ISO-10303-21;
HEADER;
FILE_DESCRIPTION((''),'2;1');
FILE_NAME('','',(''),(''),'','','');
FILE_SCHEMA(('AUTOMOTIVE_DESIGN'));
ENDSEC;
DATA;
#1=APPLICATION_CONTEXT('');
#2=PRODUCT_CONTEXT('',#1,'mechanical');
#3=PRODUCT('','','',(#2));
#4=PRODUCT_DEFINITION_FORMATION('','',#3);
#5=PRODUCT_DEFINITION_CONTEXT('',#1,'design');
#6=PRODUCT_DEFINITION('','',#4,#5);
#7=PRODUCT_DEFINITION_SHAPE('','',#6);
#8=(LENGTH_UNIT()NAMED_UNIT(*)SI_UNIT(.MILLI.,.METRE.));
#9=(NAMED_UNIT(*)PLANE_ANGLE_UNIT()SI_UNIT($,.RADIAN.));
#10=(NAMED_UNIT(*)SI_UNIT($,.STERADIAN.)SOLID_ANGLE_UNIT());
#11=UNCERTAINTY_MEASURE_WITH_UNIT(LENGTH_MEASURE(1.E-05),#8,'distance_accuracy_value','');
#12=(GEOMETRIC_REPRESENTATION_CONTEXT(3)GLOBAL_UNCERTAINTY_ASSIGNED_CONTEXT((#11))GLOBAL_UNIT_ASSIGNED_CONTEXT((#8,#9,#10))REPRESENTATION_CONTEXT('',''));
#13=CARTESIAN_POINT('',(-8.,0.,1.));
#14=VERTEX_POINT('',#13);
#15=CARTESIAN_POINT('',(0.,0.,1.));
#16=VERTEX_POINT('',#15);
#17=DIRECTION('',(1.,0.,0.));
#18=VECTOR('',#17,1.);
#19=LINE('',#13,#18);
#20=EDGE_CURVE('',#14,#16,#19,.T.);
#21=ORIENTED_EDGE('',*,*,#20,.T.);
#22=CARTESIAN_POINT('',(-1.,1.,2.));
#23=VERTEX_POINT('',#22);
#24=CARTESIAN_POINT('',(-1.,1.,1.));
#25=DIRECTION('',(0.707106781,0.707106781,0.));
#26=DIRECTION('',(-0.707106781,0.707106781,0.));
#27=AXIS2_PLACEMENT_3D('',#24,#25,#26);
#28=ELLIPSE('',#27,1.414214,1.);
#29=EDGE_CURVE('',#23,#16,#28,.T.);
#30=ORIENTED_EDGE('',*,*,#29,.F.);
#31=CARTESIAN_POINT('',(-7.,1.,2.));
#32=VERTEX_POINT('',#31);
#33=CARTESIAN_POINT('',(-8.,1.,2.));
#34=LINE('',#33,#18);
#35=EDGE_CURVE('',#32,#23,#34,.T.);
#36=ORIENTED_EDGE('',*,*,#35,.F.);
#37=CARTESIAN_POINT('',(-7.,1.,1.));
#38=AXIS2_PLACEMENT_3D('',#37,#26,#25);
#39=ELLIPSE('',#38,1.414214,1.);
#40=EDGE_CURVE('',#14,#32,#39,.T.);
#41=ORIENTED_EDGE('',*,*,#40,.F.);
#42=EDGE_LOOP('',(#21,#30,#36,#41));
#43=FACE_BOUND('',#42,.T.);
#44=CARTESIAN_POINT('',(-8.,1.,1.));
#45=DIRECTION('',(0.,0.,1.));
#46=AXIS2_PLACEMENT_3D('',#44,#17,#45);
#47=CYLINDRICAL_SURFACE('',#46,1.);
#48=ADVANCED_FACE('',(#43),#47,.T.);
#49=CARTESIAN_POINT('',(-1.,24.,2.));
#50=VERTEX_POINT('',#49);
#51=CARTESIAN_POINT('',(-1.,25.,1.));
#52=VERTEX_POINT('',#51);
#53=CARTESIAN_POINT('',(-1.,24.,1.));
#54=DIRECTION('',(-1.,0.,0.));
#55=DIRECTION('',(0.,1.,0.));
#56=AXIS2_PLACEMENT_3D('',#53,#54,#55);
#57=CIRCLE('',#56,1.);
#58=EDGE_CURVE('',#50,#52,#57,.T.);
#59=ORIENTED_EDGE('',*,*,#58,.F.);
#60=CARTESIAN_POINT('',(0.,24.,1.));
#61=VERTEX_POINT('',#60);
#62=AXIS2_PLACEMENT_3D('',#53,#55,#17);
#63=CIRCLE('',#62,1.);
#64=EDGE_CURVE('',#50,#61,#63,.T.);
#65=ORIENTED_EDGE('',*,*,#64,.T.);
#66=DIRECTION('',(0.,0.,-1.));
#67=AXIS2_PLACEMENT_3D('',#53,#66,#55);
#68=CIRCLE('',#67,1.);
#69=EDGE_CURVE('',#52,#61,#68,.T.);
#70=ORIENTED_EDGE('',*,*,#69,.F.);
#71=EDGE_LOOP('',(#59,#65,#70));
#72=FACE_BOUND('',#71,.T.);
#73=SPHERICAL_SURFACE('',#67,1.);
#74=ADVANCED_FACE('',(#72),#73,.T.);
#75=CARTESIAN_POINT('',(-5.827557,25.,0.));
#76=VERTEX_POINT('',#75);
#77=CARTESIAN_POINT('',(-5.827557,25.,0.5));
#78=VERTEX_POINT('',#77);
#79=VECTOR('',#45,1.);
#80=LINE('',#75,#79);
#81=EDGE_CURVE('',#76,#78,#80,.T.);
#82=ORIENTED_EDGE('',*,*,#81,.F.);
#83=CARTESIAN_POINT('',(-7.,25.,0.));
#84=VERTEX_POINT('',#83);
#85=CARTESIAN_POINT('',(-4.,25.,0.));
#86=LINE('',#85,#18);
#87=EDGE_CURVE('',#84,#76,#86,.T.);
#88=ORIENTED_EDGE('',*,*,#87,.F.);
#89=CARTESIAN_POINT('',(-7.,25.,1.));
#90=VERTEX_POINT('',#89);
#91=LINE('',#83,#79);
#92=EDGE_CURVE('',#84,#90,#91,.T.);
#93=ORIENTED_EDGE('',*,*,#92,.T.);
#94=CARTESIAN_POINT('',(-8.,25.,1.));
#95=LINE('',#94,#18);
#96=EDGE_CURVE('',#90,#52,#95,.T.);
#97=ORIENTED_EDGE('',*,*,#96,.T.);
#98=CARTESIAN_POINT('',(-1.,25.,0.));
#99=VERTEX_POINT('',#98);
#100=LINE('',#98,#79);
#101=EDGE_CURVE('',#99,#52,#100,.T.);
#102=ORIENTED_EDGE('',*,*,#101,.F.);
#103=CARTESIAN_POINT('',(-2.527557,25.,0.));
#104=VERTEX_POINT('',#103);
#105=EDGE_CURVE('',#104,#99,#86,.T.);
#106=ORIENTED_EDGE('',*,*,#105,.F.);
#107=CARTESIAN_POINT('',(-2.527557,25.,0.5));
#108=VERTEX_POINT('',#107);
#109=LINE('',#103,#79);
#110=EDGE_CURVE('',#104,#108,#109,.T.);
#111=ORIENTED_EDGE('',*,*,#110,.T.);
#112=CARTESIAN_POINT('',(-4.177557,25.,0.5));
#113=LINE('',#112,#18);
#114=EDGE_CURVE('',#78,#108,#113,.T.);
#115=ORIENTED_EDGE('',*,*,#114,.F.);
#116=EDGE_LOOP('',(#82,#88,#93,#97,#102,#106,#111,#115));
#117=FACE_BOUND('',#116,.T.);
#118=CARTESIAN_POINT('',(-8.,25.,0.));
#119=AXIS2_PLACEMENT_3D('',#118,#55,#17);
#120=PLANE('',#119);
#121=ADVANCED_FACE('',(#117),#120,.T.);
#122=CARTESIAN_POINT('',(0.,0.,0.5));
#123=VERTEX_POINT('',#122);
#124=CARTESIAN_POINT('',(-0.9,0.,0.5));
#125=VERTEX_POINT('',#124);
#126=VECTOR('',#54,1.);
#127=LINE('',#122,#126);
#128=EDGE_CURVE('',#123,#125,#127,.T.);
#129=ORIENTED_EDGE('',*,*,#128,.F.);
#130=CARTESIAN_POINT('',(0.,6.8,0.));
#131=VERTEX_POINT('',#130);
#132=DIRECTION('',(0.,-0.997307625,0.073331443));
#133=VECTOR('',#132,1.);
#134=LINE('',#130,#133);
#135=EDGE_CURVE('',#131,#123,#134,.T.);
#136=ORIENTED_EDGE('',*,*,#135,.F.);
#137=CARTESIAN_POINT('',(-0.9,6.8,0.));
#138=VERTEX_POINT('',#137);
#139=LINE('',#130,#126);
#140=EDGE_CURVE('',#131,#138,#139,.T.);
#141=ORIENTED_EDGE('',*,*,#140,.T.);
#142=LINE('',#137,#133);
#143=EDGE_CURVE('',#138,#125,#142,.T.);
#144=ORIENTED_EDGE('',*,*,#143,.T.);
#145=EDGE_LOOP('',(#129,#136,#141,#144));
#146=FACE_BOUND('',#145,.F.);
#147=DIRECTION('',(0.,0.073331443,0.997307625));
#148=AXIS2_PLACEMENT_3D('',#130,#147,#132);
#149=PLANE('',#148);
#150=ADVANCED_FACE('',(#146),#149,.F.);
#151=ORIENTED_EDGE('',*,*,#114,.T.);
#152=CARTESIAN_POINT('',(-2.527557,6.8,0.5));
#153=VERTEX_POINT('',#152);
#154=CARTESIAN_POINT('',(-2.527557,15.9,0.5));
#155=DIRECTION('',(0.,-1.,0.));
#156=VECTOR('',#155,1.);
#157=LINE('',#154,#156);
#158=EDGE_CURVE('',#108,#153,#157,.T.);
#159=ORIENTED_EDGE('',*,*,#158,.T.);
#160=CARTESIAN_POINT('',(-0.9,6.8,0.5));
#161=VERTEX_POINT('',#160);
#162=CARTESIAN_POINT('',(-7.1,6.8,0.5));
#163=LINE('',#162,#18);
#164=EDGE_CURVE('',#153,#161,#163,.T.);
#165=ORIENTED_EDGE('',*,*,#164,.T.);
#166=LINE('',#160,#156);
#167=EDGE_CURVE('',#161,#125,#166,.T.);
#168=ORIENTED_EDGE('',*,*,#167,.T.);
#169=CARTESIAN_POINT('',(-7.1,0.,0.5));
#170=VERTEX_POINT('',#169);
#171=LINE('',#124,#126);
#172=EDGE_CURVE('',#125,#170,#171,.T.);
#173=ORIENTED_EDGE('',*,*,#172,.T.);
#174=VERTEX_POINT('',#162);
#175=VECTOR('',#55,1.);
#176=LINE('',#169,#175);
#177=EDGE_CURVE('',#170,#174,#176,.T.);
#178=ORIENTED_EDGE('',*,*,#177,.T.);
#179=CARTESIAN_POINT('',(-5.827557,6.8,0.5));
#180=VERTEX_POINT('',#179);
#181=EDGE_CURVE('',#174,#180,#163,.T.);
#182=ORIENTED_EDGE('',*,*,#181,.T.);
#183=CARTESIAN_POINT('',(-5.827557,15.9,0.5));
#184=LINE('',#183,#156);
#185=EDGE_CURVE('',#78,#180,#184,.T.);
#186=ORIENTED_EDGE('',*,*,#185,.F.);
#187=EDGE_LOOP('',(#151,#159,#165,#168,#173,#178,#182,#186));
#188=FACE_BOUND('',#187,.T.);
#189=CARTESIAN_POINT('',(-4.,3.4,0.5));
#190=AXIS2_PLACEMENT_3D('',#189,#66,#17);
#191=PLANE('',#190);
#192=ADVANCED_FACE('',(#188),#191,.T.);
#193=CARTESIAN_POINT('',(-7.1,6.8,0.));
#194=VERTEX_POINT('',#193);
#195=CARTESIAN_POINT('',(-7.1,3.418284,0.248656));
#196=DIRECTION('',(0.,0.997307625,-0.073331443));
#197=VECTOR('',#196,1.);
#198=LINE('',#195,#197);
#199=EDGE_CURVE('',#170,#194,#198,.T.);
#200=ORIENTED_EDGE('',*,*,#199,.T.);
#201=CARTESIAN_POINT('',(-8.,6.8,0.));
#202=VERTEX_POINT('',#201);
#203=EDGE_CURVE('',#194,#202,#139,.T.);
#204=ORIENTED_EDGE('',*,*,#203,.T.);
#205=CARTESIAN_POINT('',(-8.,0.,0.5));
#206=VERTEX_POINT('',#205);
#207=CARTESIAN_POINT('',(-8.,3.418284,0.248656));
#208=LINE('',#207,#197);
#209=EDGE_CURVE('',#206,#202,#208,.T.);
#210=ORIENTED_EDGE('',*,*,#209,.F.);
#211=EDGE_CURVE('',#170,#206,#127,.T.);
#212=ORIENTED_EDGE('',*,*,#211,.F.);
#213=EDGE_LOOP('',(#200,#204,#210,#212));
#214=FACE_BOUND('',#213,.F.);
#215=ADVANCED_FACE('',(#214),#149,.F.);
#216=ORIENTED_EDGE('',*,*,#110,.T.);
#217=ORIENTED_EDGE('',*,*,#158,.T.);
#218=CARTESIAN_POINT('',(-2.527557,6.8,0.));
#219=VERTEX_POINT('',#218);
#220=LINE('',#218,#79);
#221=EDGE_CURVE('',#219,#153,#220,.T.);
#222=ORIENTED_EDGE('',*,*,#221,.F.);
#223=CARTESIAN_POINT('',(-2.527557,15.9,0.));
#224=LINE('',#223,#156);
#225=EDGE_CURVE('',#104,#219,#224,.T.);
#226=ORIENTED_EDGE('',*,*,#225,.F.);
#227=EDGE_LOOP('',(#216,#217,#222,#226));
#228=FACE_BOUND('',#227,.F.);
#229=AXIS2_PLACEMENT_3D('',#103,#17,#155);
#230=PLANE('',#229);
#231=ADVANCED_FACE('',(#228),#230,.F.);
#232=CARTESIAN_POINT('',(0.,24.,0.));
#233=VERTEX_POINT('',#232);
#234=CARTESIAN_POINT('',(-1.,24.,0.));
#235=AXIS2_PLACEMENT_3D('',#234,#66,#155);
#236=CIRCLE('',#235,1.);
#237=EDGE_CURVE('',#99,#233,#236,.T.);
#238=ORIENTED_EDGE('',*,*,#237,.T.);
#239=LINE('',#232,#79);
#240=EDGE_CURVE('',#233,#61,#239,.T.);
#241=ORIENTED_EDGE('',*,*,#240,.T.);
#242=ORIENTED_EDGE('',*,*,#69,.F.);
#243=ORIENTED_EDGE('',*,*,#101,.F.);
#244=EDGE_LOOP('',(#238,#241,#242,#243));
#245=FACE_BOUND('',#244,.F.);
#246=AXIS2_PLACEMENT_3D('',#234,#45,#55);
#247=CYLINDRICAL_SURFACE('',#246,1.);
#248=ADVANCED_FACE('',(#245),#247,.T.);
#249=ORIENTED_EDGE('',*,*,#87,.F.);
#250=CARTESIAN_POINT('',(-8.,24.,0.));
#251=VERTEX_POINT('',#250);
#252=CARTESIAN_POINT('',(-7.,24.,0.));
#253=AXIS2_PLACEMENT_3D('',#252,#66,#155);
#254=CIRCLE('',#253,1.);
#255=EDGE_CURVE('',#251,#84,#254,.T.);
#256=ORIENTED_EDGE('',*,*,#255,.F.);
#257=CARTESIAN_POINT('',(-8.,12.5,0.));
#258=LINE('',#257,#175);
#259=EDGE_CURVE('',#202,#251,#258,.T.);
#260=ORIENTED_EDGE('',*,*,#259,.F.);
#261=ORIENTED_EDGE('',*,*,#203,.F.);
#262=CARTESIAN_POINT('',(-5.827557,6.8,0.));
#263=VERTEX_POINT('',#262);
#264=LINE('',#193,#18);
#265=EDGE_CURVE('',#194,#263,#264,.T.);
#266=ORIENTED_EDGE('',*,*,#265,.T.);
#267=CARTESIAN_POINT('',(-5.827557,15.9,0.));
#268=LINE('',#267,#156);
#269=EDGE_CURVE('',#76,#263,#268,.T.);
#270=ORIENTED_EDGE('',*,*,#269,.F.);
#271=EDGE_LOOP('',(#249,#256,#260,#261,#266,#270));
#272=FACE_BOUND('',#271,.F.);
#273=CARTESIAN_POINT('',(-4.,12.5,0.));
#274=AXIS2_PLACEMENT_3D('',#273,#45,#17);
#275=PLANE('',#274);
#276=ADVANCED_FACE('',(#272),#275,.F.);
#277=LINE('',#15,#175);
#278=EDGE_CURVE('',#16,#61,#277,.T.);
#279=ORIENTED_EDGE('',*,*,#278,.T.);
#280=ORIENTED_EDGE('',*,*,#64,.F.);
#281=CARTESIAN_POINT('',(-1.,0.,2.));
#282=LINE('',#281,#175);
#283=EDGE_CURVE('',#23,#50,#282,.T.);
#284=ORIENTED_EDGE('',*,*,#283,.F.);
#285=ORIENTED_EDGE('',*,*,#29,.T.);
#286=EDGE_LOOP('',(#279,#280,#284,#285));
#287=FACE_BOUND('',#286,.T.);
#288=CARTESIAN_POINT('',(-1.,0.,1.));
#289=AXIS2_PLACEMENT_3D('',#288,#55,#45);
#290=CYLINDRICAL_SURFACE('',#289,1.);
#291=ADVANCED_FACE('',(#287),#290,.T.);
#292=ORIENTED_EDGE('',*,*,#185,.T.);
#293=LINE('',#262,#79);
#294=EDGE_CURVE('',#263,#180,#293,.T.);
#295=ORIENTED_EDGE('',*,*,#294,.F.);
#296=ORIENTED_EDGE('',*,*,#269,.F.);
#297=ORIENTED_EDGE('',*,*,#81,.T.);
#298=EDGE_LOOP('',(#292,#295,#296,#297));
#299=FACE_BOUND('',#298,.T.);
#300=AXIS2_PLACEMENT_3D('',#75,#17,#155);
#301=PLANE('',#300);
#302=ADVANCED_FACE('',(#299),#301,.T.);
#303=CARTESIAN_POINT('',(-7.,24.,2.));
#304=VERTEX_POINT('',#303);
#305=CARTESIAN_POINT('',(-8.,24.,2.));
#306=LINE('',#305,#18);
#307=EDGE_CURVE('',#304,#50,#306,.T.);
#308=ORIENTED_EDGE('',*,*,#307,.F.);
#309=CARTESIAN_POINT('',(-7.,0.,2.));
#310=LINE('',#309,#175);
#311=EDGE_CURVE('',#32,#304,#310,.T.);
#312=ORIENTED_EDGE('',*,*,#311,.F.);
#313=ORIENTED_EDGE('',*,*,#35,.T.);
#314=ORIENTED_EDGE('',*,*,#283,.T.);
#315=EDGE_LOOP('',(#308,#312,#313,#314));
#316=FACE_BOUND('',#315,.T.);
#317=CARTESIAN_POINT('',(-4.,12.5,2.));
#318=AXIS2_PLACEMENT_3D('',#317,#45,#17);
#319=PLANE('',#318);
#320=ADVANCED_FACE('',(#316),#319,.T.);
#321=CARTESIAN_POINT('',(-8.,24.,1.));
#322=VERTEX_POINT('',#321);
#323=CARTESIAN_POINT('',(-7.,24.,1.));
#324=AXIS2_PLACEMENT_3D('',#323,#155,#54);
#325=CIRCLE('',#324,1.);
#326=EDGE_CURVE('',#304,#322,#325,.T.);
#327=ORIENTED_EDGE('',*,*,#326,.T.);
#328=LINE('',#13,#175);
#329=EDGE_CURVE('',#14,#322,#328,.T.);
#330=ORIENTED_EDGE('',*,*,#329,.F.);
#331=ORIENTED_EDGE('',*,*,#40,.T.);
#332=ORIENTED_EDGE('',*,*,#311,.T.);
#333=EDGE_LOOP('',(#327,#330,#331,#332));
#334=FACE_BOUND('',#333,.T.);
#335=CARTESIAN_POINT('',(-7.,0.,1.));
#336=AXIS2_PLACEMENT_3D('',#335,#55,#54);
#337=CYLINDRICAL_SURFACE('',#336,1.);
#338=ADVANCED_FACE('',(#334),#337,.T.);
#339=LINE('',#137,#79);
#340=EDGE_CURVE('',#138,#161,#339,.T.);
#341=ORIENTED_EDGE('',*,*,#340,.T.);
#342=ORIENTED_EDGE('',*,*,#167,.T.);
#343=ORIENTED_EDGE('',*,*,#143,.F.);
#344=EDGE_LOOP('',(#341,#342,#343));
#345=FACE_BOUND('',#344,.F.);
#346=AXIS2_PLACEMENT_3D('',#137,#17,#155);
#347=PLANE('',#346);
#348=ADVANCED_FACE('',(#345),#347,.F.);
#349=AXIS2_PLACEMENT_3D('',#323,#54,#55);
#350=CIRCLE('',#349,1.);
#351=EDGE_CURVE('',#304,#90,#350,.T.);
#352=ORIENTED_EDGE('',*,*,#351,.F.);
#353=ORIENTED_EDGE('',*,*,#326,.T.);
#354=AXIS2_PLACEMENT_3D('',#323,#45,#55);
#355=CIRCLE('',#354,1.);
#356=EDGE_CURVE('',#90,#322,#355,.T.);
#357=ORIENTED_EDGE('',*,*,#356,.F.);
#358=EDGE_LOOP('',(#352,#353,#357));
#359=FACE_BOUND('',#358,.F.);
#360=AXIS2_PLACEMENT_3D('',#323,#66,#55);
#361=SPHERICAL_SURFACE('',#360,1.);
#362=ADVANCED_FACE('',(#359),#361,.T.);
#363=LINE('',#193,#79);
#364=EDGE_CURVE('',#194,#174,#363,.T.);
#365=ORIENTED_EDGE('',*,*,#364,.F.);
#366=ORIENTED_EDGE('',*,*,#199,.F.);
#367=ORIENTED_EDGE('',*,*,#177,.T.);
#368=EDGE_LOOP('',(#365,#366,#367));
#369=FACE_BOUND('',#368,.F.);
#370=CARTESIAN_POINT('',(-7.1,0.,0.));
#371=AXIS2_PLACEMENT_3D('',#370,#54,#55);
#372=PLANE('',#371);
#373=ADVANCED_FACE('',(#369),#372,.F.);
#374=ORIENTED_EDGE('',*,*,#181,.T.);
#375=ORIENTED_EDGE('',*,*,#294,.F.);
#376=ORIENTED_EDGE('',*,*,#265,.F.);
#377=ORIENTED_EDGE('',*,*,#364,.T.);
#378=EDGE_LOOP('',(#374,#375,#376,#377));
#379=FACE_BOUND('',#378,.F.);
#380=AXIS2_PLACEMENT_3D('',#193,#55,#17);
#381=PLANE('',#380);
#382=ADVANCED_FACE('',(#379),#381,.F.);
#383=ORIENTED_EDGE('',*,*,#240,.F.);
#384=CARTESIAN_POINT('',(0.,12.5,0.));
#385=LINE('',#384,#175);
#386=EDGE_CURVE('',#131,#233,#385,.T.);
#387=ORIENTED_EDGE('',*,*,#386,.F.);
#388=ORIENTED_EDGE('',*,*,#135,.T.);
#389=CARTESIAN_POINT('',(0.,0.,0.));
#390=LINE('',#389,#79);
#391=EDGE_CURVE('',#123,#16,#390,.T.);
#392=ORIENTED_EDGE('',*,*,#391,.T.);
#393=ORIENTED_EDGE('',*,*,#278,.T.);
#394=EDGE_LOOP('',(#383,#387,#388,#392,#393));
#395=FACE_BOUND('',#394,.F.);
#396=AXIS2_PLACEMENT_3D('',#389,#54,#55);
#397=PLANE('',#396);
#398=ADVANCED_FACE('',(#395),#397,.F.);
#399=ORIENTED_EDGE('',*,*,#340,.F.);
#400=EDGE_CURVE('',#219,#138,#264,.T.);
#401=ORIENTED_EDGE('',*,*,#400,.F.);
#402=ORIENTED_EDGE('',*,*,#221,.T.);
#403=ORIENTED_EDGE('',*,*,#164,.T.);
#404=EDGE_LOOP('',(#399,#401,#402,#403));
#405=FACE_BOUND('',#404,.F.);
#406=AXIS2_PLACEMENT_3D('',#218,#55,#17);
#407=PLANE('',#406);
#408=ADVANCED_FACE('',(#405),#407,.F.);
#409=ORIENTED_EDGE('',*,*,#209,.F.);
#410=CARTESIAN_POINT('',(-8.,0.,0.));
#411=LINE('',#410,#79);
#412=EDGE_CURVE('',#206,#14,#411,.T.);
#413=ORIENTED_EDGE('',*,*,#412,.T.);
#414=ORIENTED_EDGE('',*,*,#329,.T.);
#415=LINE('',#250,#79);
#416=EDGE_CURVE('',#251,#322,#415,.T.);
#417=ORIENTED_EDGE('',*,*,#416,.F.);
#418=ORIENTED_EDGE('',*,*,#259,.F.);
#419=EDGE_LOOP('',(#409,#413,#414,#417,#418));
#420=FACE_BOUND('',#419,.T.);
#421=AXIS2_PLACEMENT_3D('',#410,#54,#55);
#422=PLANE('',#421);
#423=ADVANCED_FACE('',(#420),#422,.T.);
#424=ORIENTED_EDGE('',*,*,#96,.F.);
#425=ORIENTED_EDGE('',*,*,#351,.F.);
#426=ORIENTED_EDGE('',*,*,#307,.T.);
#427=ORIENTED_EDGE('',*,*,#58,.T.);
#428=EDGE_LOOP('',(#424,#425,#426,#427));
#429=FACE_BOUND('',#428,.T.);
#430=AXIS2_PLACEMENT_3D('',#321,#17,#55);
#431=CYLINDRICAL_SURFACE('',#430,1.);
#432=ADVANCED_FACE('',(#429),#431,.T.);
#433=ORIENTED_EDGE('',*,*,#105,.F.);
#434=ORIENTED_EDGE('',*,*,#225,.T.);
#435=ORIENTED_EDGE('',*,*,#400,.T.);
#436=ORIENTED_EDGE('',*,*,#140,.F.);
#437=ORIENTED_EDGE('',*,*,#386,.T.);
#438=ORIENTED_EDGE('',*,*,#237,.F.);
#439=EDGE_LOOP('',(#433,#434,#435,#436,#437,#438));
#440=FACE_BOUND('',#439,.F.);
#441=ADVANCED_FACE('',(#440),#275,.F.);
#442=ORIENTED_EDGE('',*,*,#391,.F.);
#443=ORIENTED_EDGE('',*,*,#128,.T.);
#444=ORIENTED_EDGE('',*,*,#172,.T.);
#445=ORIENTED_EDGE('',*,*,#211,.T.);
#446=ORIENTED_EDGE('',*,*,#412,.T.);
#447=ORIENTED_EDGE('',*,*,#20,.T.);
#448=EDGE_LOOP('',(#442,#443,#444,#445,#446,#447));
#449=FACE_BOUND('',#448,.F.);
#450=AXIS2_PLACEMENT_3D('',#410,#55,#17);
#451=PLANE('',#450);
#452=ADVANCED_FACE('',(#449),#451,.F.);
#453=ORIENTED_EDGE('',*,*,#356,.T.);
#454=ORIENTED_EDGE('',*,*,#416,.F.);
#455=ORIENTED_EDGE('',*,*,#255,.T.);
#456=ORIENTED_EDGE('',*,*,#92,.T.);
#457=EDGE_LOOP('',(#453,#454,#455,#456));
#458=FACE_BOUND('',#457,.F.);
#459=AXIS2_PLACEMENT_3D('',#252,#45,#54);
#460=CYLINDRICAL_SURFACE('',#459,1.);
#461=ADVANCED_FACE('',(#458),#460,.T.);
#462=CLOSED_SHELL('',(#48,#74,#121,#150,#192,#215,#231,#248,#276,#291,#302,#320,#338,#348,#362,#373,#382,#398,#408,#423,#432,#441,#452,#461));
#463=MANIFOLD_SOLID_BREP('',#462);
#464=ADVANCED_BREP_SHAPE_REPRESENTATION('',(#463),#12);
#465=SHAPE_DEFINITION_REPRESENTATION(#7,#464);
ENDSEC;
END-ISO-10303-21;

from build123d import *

# Parameters (mm, degrees)
F0_W     = 8
F0_H     = 25
F1_DEPTH = 2
F2_W     = 3.3
F2_H     = 18.2
F3_DEPTH = 0.5
F5_DEPTH = 8.001
F6_R     = 1


with BuildPart() as f1:
    # F0 (on Top) → F1 (new body)
    with BuildSketch(Plane.XY):
        with Locations((-4, 12.5)):
            Rectangle(F0_W, F0_H)
    extrude(amount=F1_DEPTH)

    # F2 (on face) → F3 (cut)
    with BuildSketch(Plane(origin=(0, 0, 0), x_dir=(1, 0, 0), z_dir=(0, 0, -1))):
        Polygon((-7.1, -6.8), (-5.8275572956, -6.8), (-2.5275572956, -6.8), (-0.9, -6.8), (-0.9, 0), (-7.1, 0), align=None)
        with Locations((-4.1775572956, -15.9)):
            Rectangle(F2_W, F2_H)
    extrude(amount=-F3_DEPTH, mode=Mode.SUBTRACT)

    # F4 (on face) → F5 (cut, through all)
    with BuildSketch(Plane.YZ):
        Polygon((6.8, 0), (0, 0.5), (0, 0), align=None)
    extrude(amount=-F5_DEPTH, mode=Mode.SUBTRACT)

    # F6
    f6_edges = [f1.edges().sort_by_distance(p)[0] for p in [
        (0, 25, 1),
        (-8, 25, 1),
        (-4, 25, 2),
        (0, 12.5, 2),
        (-8, 12.5, 2),
        (-4, 0, 2),
    ]]
    fillet(f6_edges, radius=F6_R)


solid = f1.part
